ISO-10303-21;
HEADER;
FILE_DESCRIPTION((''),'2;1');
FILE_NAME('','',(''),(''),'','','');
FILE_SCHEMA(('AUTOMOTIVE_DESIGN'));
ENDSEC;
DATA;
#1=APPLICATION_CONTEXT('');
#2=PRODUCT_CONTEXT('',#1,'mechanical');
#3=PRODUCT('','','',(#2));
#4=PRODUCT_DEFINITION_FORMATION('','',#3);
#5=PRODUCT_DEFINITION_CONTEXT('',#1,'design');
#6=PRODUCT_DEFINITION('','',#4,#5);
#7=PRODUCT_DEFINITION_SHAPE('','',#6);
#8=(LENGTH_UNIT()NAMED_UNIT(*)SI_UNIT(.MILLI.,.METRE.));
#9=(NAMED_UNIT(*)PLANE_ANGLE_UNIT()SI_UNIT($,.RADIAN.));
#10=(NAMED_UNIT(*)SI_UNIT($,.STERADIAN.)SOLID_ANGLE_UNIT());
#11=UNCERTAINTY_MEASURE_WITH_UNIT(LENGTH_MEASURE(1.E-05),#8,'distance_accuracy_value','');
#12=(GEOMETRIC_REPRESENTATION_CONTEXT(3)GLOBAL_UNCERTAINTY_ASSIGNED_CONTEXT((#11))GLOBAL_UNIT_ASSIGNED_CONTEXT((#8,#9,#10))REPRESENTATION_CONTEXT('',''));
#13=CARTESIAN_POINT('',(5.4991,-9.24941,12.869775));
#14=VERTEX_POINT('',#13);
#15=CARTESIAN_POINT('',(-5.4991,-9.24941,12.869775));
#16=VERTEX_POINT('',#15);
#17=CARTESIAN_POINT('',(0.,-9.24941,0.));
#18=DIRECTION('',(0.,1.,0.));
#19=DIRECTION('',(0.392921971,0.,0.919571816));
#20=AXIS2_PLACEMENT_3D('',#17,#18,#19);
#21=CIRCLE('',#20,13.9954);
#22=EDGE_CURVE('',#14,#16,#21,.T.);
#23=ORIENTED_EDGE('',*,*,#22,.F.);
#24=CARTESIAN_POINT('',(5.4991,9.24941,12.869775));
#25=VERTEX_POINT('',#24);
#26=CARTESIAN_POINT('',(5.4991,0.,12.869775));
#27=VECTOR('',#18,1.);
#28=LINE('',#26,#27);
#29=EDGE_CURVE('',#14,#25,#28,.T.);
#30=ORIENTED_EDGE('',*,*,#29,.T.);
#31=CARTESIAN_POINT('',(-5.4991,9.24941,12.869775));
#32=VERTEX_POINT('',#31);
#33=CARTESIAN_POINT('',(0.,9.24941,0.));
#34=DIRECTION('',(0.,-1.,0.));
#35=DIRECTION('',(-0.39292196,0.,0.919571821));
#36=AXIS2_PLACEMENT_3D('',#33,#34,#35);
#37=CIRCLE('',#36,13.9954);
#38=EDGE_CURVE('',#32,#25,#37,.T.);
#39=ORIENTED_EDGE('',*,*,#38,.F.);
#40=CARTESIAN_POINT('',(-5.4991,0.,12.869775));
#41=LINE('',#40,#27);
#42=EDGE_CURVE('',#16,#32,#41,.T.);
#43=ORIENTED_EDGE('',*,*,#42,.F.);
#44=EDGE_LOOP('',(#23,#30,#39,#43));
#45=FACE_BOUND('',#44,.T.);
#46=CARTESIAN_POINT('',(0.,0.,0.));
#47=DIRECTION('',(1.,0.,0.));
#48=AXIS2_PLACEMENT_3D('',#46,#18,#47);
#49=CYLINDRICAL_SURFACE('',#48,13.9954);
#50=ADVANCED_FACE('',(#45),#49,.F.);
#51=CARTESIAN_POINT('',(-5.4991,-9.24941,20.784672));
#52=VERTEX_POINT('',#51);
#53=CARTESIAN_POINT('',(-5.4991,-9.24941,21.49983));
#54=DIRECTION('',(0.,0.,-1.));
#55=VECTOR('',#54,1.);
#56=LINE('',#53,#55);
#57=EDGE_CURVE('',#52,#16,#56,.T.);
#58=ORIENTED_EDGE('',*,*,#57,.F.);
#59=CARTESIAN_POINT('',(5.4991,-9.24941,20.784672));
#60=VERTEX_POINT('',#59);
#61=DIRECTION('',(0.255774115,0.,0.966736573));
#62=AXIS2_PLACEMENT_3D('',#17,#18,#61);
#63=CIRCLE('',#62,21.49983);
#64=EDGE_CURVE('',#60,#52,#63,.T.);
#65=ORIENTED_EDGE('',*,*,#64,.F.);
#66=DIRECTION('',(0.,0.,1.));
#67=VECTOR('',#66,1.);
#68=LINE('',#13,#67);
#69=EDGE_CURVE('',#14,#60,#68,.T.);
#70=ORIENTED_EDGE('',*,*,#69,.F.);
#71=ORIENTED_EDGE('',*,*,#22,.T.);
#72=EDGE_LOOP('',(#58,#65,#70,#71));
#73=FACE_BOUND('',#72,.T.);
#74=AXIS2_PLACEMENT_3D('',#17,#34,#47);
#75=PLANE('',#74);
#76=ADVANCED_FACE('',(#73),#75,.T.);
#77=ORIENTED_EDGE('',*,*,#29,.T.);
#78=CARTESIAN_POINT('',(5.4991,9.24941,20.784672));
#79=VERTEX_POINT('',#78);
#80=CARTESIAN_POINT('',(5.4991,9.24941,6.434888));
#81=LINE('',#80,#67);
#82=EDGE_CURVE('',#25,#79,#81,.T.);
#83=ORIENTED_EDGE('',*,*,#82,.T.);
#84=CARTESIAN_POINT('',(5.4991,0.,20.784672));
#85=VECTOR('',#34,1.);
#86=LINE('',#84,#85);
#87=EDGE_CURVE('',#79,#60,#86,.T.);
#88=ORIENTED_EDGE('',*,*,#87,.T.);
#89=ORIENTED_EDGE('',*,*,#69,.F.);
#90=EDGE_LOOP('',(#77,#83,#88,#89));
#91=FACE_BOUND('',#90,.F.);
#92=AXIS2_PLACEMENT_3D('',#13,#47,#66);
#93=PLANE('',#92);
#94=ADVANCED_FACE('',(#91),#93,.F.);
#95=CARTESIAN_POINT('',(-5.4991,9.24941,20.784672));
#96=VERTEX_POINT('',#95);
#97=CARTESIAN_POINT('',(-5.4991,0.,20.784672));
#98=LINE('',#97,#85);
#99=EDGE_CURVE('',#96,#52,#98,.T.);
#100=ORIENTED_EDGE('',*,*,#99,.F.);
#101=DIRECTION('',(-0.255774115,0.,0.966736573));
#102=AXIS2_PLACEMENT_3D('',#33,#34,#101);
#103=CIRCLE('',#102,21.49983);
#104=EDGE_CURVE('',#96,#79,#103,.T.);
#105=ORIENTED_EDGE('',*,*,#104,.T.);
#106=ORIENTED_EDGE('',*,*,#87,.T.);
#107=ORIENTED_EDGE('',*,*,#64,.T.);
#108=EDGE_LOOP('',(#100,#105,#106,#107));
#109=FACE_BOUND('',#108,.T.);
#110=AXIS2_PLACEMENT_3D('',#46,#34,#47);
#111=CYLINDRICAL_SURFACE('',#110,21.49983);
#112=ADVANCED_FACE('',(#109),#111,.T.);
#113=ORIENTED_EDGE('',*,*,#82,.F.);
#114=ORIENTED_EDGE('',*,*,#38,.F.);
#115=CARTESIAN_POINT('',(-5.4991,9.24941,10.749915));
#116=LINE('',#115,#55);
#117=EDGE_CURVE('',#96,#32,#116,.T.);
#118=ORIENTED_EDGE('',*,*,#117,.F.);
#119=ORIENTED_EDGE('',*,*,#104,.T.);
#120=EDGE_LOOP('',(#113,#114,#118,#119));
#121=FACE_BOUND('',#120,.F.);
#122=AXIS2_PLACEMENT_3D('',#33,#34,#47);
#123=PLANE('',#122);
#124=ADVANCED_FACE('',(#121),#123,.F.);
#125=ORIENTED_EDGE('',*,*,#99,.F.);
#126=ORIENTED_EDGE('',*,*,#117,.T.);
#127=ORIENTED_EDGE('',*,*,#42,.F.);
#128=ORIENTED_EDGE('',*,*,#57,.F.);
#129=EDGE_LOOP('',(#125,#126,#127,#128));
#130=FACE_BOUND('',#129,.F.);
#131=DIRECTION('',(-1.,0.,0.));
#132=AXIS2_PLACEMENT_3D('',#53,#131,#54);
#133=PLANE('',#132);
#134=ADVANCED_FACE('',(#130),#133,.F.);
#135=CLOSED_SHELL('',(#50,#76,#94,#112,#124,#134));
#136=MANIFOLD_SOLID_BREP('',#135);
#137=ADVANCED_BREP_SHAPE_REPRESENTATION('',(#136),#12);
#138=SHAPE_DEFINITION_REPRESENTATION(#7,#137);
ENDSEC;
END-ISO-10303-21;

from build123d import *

# Parameters (mm, degrees)
F1_R     = 21.49983
F1_R_2   = 13.9954
F2_DEPTH = 9.24941
F4_DEPTH = 25.4


with BuildPart() as f2:
    # F1 (on face) → F2 (new body, symmetric)
    with BuildSketch(Plane.XZ):
        Circle(F1_R)
        Circle(F1_R_2, mode=Mode.SUBTRACT)
    extrude(amount=F2_DEPTH, both=True)

    # F3 (on face) → F4 (cut)
    with BuildSketch(Plane.XZ.offset(9.24941)):
        Polygon((5.4991, 21.49983), (0, 21.49983), (-5.4991, 21.49983), (-5.4991, 12.869775), (5.4991, 12.869775), align=None)
    extrude(amount=-F4_DEPTH, mode=Mode.SUBTRACT)


solid = f2.part
